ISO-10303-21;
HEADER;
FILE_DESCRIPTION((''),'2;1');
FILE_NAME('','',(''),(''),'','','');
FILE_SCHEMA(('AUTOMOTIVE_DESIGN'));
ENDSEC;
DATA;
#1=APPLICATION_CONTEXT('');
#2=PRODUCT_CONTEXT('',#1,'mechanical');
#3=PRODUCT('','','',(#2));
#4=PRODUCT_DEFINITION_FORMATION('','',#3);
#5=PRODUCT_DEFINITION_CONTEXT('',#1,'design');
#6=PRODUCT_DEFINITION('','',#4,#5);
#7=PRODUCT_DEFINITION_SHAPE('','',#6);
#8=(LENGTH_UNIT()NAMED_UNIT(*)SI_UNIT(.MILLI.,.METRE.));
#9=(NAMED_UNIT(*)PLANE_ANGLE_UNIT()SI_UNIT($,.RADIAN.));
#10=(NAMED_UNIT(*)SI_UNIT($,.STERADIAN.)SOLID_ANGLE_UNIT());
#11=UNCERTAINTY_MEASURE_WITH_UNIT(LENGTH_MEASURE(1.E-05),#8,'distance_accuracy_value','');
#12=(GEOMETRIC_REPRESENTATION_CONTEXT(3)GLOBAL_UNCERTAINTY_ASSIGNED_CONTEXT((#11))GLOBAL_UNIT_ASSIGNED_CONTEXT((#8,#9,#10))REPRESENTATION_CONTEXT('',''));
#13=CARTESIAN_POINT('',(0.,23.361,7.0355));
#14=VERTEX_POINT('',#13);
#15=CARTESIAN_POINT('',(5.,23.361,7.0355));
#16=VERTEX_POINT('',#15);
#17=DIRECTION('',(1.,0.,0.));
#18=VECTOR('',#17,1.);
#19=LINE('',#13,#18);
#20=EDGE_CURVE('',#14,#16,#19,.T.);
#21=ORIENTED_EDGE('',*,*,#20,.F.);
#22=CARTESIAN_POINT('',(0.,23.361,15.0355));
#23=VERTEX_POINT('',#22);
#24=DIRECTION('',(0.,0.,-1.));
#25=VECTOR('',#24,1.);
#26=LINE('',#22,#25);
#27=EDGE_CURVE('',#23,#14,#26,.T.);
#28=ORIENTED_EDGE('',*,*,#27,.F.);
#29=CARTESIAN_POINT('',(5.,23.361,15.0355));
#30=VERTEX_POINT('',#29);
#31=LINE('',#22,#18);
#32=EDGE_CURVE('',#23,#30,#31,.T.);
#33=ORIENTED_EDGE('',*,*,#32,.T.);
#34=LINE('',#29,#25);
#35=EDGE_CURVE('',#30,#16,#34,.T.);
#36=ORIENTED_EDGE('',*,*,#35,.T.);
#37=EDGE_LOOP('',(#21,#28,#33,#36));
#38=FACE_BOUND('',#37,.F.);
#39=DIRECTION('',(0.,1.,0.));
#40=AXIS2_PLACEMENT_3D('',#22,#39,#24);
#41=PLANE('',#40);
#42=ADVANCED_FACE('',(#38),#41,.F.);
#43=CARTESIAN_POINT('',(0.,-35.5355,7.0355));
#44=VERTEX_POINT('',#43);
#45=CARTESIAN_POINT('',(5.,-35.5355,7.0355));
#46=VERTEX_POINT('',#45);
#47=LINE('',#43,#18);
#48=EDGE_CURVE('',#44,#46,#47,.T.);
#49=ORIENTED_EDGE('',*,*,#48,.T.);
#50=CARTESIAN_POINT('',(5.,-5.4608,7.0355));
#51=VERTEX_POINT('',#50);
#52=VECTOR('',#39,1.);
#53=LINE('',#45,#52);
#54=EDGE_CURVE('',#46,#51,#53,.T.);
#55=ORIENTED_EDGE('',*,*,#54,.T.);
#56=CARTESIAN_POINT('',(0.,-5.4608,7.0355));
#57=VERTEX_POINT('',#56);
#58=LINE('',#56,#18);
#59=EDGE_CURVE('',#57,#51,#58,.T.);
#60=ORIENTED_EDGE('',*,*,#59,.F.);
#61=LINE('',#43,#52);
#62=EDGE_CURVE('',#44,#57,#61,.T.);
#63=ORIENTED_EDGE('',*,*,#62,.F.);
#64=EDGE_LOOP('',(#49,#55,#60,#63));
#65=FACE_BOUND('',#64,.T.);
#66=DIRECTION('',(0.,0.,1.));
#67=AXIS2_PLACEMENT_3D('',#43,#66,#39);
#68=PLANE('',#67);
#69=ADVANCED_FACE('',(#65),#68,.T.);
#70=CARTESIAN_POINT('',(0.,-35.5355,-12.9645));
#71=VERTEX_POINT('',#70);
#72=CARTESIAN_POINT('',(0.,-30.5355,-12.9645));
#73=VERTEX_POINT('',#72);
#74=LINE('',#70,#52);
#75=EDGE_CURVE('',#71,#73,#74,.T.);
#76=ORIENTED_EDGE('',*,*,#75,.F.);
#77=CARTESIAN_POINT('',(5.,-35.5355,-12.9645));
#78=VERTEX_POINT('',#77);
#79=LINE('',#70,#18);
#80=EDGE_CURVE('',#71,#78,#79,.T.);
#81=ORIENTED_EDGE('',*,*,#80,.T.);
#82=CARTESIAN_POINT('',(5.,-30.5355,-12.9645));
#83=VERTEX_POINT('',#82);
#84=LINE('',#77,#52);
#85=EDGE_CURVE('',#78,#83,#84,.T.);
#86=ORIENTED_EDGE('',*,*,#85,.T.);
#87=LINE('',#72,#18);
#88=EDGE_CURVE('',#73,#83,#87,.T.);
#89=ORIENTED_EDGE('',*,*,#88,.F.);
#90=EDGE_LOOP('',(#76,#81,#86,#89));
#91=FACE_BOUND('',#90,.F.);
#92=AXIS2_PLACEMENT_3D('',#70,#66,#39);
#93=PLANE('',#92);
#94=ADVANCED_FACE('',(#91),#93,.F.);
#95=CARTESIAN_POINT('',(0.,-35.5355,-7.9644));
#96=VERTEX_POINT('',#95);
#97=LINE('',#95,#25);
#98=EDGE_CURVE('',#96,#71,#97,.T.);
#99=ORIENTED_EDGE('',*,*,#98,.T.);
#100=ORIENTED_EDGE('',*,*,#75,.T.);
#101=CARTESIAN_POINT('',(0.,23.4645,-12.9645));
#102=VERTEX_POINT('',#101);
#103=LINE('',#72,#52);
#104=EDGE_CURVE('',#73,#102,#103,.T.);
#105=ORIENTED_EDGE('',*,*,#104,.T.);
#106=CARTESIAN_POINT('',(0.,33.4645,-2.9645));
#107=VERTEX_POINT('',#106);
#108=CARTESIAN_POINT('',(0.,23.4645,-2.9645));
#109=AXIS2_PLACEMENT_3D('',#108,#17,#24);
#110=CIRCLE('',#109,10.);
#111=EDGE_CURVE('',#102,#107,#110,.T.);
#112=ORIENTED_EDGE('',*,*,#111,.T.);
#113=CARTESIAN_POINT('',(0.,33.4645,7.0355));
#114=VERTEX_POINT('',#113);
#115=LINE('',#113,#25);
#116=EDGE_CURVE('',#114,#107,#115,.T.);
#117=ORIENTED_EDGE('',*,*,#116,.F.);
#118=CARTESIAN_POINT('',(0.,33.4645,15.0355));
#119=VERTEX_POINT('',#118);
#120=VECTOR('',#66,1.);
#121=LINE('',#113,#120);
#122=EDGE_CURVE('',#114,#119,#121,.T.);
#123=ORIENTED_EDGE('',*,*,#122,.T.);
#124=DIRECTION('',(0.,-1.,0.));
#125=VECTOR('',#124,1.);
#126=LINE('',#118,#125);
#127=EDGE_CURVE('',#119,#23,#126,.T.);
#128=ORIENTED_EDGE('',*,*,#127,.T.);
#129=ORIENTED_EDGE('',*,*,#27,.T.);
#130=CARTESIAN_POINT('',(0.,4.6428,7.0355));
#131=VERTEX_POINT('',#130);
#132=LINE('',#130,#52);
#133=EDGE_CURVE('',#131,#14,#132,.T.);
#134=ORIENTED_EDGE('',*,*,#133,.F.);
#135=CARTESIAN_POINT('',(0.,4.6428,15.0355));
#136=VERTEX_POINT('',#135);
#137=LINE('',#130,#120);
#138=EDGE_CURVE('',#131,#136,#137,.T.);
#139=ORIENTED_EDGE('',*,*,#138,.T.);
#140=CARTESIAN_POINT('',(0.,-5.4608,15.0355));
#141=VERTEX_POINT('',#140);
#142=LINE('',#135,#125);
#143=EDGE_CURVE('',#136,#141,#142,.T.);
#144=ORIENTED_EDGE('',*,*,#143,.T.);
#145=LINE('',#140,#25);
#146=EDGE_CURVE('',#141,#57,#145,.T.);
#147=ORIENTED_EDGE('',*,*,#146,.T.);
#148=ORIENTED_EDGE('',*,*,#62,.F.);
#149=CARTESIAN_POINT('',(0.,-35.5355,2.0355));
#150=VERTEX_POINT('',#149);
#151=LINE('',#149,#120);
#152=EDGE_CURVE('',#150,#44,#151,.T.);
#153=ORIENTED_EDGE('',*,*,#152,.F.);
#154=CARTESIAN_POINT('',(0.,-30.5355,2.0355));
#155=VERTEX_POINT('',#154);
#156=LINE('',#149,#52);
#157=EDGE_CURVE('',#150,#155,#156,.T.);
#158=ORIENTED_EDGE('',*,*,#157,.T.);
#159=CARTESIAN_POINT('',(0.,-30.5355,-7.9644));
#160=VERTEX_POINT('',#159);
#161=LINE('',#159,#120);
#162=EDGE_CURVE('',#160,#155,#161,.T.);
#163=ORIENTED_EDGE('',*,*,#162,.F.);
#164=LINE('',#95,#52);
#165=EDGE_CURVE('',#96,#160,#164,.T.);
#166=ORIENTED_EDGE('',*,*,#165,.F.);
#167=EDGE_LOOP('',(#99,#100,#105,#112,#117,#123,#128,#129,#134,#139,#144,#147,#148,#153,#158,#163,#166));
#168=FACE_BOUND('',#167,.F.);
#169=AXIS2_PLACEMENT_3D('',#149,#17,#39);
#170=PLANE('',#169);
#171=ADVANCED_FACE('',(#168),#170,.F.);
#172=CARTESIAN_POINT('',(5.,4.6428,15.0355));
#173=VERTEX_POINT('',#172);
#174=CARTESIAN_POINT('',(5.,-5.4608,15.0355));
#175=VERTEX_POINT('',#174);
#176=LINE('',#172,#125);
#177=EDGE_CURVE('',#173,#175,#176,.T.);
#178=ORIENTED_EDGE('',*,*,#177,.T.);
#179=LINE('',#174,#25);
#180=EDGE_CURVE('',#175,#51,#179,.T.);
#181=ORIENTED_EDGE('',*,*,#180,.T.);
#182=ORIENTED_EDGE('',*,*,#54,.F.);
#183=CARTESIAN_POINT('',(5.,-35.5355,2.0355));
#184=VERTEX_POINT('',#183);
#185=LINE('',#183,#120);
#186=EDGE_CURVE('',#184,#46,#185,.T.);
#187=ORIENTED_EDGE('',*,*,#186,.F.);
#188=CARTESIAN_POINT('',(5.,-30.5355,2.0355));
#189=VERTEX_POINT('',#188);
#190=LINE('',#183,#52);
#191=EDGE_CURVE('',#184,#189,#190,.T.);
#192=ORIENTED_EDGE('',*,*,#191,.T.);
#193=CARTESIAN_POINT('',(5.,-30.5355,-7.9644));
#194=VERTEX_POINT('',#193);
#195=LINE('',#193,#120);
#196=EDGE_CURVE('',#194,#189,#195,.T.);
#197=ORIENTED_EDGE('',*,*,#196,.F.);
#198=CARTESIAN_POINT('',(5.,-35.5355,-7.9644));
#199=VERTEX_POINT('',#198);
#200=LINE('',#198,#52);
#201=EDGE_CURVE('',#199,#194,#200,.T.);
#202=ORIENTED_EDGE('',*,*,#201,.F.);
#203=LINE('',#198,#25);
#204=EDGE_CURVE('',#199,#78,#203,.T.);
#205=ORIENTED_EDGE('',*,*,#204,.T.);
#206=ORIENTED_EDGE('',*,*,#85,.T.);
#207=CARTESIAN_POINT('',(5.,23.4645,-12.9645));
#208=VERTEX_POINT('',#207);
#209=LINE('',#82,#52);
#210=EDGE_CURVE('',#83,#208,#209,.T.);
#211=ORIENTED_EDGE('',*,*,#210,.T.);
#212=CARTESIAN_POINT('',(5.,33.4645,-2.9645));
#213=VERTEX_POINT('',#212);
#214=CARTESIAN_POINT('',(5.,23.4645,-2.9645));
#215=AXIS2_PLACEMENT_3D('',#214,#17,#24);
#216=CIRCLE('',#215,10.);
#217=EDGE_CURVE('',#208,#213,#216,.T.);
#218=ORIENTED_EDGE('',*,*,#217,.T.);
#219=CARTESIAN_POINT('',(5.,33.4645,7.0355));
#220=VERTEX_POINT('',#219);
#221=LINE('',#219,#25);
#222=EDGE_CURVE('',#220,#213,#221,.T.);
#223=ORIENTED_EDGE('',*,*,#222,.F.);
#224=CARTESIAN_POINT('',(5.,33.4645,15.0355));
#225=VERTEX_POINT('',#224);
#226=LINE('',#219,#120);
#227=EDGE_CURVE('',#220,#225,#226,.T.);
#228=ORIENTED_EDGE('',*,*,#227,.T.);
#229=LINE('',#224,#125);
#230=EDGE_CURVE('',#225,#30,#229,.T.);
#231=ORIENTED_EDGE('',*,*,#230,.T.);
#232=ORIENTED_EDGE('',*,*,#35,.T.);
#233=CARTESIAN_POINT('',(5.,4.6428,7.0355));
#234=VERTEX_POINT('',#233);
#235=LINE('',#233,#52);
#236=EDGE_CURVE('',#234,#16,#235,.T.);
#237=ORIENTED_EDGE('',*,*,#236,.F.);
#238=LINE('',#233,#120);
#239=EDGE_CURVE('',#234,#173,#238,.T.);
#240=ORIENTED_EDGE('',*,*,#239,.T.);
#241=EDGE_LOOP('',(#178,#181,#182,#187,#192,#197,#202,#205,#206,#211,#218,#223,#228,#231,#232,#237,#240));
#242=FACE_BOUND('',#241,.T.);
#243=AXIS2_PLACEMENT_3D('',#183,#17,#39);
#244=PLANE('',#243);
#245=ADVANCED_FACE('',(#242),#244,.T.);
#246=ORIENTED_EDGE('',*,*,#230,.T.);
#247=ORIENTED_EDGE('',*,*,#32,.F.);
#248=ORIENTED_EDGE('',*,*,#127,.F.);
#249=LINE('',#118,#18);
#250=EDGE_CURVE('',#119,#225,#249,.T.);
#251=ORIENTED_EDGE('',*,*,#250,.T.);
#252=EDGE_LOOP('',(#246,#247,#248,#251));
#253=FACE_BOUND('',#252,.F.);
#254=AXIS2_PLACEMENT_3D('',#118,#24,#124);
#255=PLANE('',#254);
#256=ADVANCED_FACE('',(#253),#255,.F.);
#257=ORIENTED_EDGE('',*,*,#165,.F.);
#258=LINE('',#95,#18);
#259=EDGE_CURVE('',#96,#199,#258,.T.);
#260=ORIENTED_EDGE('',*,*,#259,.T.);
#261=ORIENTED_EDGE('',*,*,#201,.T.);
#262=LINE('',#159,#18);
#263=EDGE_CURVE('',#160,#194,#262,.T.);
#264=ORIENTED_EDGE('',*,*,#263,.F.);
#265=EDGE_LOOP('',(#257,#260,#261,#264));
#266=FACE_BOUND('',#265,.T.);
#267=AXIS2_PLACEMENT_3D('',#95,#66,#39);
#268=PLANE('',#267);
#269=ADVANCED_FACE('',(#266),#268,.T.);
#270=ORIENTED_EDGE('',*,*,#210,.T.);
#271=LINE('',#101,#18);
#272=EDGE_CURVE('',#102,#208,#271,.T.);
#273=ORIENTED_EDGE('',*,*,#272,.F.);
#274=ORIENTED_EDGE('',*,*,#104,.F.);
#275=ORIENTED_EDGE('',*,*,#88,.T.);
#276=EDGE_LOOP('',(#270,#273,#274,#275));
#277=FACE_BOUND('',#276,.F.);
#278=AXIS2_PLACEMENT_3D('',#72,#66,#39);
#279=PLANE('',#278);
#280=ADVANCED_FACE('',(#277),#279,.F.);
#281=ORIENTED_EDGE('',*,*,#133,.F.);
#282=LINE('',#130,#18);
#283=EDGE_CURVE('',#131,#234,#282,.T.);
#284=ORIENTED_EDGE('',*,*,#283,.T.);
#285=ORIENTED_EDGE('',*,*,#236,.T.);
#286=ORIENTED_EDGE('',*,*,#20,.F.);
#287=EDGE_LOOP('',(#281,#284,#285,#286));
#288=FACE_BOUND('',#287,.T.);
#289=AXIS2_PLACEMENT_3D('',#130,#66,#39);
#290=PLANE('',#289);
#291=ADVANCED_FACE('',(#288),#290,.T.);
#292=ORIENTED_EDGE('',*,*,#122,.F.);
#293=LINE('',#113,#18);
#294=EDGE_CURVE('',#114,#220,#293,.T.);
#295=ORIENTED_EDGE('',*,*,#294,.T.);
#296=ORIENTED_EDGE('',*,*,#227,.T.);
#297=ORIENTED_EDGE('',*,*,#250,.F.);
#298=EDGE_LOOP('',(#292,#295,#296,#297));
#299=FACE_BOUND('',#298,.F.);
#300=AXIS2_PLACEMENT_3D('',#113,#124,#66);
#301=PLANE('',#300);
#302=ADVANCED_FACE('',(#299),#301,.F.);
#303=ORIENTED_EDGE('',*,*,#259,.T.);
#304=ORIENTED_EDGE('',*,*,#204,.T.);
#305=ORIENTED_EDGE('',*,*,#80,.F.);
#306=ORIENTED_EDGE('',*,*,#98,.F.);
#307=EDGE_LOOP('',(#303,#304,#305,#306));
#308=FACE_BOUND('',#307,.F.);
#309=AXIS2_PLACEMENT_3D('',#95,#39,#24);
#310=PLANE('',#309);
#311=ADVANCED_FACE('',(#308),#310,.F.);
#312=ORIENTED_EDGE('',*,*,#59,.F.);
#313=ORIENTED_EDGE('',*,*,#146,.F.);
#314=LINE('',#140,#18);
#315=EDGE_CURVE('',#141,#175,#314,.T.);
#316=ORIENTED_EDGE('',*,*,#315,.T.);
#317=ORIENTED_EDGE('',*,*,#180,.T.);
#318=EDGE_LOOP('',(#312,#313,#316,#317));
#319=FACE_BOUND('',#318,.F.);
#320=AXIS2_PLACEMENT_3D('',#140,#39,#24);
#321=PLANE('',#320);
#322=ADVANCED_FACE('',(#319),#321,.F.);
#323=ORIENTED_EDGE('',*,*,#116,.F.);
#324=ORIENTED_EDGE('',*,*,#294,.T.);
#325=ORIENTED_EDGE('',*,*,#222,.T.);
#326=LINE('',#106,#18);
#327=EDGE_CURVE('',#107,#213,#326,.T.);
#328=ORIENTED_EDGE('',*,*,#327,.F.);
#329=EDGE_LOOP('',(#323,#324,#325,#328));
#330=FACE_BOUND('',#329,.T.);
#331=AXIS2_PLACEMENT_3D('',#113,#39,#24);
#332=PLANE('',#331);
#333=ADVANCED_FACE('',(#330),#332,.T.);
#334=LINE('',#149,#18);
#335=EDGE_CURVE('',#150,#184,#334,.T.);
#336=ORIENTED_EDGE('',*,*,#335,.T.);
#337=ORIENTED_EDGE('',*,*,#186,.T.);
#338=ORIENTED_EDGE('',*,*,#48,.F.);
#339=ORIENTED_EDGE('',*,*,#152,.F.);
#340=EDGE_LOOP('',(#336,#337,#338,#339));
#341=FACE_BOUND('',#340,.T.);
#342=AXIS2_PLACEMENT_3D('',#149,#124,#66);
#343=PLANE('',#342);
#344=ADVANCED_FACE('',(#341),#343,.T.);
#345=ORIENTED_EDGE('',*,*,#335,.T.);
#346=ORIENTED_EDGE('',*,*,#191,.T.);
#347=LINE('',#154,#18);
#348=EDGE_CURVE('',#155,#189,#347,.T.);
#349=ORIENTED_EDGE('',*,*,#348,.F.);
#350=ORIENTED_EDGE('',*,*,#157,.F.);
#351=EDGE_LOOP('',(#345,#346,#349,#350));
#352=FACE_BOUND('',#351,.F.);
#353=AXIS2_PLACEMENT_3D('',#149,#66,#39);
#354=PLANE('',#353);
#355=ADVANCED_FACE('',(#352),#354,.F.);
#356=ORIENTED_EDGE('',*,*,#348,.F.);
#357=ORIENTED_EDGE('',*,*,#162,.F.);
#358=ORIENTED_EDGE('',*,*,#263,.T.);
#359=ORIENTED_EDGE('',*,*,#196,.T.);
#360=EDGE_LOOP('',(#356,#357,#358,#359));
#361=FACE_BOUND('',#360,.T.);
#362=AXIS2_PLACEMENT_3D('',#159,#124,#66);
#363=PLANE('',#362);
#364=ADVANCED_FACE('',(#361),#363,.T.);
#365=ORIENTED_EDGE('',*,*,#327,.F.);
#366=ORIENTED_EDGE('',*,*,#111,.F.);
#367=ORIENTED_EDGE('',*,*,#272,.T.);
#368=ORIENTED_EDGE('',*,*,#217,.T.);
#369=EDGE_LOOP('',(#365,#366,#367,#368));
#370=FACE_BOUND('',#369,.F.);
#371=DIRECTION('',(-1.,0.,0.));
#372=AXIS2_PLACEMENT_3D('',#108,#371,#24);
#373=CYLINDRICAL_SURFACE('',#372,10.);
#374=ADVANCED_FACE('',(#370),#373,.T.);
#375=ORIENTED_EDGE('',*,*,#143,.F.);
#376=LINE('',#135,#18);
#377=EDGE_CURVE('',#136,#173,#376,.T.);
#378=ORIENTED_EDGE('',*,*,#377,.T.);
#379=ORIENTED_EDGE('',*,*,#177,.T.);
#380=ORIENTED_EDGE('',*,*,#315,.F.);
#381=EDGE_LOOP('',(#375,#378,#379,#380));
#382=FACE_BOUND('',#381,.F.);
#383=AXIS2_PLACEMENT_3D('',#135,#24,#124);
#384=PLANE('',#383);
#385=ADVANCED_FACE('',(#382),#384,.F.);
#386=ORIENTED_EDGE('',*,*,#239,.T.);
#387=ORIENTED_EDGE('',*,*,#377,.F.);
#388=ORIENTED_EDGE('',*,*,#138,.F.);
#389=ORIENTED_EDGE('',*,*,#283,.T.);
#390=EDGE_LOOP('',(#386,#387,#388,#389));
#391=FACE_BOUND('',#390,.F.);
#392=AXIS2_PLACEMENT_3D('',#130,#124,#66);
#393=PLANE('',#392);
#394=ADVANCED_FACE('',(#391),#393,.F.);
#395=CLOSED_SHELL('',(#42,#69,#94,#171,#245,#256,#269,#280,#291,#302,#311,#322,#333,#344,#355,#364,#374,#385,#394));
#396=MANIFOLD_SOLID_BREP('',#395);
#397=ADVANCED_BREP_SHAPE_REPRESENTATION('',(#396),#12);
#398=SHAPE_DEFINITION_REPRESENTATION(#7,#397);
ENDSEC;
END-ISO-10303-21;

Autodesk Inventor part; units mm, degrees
ref_plane "YZ Plane" through (0, 0, 0) normal (1, 0, 0) x (0, 1, 0)
ref_plane "XZ Plane" through (0, 0, 0) normal (0, 1, 0) x (-1, 0, 0)
ref_plane "XY Plane" through (0, 0, 0) normal (0, 0, 1) x (1, 0, 0)
sketch "dds" plane through (0, -35.5355, 2.0355) normal (1, 0, 0) x (0, 1, 0)
  line L0 (0, -9.9999) -> (5, -9.9999)
  line L1 (0, -9.9999) -> (0, -15)
  line L2 (0, -15) -> (5, -15)
  line L3 (0, 0) -> (5, 0)
  line L4 (5, -9.9999) -> (5, 0)
  line L5 (5, -15) -> (59, -15)
  line L6 (0, 0) -> (0, 5)
  line L7 (69, 5) -> (69, 13)
  line L8 (69, 5) -> (69, -5)
  arc A0 (59, -15) -> (69, -5) centre (59, -5) ccw
  line L9 (69, 13) -> (58.8965, 13)
  line L10 (58.8965, 13) -> (58.8965, 5)
  line L11 (40.1783, 13) -> (30.0747, 13)
  line L12 (40.1783, 5) -> (40.1783, 13)
  line L13 (30.0747, 13) -> (30.0747, 5)
  line L14 (0, 5) -> (30.0747, 5)
  line L15 (40.1783, 5) -> (58.8965, 5)
  point P0 (69, -15)
  point P1 (8.1162, -2.0146)
  dimension "d0" = 10
  dimension "d1" = 8
extrude "Side" add sketch "dds" along normal blind 5
properties part number "Side"
